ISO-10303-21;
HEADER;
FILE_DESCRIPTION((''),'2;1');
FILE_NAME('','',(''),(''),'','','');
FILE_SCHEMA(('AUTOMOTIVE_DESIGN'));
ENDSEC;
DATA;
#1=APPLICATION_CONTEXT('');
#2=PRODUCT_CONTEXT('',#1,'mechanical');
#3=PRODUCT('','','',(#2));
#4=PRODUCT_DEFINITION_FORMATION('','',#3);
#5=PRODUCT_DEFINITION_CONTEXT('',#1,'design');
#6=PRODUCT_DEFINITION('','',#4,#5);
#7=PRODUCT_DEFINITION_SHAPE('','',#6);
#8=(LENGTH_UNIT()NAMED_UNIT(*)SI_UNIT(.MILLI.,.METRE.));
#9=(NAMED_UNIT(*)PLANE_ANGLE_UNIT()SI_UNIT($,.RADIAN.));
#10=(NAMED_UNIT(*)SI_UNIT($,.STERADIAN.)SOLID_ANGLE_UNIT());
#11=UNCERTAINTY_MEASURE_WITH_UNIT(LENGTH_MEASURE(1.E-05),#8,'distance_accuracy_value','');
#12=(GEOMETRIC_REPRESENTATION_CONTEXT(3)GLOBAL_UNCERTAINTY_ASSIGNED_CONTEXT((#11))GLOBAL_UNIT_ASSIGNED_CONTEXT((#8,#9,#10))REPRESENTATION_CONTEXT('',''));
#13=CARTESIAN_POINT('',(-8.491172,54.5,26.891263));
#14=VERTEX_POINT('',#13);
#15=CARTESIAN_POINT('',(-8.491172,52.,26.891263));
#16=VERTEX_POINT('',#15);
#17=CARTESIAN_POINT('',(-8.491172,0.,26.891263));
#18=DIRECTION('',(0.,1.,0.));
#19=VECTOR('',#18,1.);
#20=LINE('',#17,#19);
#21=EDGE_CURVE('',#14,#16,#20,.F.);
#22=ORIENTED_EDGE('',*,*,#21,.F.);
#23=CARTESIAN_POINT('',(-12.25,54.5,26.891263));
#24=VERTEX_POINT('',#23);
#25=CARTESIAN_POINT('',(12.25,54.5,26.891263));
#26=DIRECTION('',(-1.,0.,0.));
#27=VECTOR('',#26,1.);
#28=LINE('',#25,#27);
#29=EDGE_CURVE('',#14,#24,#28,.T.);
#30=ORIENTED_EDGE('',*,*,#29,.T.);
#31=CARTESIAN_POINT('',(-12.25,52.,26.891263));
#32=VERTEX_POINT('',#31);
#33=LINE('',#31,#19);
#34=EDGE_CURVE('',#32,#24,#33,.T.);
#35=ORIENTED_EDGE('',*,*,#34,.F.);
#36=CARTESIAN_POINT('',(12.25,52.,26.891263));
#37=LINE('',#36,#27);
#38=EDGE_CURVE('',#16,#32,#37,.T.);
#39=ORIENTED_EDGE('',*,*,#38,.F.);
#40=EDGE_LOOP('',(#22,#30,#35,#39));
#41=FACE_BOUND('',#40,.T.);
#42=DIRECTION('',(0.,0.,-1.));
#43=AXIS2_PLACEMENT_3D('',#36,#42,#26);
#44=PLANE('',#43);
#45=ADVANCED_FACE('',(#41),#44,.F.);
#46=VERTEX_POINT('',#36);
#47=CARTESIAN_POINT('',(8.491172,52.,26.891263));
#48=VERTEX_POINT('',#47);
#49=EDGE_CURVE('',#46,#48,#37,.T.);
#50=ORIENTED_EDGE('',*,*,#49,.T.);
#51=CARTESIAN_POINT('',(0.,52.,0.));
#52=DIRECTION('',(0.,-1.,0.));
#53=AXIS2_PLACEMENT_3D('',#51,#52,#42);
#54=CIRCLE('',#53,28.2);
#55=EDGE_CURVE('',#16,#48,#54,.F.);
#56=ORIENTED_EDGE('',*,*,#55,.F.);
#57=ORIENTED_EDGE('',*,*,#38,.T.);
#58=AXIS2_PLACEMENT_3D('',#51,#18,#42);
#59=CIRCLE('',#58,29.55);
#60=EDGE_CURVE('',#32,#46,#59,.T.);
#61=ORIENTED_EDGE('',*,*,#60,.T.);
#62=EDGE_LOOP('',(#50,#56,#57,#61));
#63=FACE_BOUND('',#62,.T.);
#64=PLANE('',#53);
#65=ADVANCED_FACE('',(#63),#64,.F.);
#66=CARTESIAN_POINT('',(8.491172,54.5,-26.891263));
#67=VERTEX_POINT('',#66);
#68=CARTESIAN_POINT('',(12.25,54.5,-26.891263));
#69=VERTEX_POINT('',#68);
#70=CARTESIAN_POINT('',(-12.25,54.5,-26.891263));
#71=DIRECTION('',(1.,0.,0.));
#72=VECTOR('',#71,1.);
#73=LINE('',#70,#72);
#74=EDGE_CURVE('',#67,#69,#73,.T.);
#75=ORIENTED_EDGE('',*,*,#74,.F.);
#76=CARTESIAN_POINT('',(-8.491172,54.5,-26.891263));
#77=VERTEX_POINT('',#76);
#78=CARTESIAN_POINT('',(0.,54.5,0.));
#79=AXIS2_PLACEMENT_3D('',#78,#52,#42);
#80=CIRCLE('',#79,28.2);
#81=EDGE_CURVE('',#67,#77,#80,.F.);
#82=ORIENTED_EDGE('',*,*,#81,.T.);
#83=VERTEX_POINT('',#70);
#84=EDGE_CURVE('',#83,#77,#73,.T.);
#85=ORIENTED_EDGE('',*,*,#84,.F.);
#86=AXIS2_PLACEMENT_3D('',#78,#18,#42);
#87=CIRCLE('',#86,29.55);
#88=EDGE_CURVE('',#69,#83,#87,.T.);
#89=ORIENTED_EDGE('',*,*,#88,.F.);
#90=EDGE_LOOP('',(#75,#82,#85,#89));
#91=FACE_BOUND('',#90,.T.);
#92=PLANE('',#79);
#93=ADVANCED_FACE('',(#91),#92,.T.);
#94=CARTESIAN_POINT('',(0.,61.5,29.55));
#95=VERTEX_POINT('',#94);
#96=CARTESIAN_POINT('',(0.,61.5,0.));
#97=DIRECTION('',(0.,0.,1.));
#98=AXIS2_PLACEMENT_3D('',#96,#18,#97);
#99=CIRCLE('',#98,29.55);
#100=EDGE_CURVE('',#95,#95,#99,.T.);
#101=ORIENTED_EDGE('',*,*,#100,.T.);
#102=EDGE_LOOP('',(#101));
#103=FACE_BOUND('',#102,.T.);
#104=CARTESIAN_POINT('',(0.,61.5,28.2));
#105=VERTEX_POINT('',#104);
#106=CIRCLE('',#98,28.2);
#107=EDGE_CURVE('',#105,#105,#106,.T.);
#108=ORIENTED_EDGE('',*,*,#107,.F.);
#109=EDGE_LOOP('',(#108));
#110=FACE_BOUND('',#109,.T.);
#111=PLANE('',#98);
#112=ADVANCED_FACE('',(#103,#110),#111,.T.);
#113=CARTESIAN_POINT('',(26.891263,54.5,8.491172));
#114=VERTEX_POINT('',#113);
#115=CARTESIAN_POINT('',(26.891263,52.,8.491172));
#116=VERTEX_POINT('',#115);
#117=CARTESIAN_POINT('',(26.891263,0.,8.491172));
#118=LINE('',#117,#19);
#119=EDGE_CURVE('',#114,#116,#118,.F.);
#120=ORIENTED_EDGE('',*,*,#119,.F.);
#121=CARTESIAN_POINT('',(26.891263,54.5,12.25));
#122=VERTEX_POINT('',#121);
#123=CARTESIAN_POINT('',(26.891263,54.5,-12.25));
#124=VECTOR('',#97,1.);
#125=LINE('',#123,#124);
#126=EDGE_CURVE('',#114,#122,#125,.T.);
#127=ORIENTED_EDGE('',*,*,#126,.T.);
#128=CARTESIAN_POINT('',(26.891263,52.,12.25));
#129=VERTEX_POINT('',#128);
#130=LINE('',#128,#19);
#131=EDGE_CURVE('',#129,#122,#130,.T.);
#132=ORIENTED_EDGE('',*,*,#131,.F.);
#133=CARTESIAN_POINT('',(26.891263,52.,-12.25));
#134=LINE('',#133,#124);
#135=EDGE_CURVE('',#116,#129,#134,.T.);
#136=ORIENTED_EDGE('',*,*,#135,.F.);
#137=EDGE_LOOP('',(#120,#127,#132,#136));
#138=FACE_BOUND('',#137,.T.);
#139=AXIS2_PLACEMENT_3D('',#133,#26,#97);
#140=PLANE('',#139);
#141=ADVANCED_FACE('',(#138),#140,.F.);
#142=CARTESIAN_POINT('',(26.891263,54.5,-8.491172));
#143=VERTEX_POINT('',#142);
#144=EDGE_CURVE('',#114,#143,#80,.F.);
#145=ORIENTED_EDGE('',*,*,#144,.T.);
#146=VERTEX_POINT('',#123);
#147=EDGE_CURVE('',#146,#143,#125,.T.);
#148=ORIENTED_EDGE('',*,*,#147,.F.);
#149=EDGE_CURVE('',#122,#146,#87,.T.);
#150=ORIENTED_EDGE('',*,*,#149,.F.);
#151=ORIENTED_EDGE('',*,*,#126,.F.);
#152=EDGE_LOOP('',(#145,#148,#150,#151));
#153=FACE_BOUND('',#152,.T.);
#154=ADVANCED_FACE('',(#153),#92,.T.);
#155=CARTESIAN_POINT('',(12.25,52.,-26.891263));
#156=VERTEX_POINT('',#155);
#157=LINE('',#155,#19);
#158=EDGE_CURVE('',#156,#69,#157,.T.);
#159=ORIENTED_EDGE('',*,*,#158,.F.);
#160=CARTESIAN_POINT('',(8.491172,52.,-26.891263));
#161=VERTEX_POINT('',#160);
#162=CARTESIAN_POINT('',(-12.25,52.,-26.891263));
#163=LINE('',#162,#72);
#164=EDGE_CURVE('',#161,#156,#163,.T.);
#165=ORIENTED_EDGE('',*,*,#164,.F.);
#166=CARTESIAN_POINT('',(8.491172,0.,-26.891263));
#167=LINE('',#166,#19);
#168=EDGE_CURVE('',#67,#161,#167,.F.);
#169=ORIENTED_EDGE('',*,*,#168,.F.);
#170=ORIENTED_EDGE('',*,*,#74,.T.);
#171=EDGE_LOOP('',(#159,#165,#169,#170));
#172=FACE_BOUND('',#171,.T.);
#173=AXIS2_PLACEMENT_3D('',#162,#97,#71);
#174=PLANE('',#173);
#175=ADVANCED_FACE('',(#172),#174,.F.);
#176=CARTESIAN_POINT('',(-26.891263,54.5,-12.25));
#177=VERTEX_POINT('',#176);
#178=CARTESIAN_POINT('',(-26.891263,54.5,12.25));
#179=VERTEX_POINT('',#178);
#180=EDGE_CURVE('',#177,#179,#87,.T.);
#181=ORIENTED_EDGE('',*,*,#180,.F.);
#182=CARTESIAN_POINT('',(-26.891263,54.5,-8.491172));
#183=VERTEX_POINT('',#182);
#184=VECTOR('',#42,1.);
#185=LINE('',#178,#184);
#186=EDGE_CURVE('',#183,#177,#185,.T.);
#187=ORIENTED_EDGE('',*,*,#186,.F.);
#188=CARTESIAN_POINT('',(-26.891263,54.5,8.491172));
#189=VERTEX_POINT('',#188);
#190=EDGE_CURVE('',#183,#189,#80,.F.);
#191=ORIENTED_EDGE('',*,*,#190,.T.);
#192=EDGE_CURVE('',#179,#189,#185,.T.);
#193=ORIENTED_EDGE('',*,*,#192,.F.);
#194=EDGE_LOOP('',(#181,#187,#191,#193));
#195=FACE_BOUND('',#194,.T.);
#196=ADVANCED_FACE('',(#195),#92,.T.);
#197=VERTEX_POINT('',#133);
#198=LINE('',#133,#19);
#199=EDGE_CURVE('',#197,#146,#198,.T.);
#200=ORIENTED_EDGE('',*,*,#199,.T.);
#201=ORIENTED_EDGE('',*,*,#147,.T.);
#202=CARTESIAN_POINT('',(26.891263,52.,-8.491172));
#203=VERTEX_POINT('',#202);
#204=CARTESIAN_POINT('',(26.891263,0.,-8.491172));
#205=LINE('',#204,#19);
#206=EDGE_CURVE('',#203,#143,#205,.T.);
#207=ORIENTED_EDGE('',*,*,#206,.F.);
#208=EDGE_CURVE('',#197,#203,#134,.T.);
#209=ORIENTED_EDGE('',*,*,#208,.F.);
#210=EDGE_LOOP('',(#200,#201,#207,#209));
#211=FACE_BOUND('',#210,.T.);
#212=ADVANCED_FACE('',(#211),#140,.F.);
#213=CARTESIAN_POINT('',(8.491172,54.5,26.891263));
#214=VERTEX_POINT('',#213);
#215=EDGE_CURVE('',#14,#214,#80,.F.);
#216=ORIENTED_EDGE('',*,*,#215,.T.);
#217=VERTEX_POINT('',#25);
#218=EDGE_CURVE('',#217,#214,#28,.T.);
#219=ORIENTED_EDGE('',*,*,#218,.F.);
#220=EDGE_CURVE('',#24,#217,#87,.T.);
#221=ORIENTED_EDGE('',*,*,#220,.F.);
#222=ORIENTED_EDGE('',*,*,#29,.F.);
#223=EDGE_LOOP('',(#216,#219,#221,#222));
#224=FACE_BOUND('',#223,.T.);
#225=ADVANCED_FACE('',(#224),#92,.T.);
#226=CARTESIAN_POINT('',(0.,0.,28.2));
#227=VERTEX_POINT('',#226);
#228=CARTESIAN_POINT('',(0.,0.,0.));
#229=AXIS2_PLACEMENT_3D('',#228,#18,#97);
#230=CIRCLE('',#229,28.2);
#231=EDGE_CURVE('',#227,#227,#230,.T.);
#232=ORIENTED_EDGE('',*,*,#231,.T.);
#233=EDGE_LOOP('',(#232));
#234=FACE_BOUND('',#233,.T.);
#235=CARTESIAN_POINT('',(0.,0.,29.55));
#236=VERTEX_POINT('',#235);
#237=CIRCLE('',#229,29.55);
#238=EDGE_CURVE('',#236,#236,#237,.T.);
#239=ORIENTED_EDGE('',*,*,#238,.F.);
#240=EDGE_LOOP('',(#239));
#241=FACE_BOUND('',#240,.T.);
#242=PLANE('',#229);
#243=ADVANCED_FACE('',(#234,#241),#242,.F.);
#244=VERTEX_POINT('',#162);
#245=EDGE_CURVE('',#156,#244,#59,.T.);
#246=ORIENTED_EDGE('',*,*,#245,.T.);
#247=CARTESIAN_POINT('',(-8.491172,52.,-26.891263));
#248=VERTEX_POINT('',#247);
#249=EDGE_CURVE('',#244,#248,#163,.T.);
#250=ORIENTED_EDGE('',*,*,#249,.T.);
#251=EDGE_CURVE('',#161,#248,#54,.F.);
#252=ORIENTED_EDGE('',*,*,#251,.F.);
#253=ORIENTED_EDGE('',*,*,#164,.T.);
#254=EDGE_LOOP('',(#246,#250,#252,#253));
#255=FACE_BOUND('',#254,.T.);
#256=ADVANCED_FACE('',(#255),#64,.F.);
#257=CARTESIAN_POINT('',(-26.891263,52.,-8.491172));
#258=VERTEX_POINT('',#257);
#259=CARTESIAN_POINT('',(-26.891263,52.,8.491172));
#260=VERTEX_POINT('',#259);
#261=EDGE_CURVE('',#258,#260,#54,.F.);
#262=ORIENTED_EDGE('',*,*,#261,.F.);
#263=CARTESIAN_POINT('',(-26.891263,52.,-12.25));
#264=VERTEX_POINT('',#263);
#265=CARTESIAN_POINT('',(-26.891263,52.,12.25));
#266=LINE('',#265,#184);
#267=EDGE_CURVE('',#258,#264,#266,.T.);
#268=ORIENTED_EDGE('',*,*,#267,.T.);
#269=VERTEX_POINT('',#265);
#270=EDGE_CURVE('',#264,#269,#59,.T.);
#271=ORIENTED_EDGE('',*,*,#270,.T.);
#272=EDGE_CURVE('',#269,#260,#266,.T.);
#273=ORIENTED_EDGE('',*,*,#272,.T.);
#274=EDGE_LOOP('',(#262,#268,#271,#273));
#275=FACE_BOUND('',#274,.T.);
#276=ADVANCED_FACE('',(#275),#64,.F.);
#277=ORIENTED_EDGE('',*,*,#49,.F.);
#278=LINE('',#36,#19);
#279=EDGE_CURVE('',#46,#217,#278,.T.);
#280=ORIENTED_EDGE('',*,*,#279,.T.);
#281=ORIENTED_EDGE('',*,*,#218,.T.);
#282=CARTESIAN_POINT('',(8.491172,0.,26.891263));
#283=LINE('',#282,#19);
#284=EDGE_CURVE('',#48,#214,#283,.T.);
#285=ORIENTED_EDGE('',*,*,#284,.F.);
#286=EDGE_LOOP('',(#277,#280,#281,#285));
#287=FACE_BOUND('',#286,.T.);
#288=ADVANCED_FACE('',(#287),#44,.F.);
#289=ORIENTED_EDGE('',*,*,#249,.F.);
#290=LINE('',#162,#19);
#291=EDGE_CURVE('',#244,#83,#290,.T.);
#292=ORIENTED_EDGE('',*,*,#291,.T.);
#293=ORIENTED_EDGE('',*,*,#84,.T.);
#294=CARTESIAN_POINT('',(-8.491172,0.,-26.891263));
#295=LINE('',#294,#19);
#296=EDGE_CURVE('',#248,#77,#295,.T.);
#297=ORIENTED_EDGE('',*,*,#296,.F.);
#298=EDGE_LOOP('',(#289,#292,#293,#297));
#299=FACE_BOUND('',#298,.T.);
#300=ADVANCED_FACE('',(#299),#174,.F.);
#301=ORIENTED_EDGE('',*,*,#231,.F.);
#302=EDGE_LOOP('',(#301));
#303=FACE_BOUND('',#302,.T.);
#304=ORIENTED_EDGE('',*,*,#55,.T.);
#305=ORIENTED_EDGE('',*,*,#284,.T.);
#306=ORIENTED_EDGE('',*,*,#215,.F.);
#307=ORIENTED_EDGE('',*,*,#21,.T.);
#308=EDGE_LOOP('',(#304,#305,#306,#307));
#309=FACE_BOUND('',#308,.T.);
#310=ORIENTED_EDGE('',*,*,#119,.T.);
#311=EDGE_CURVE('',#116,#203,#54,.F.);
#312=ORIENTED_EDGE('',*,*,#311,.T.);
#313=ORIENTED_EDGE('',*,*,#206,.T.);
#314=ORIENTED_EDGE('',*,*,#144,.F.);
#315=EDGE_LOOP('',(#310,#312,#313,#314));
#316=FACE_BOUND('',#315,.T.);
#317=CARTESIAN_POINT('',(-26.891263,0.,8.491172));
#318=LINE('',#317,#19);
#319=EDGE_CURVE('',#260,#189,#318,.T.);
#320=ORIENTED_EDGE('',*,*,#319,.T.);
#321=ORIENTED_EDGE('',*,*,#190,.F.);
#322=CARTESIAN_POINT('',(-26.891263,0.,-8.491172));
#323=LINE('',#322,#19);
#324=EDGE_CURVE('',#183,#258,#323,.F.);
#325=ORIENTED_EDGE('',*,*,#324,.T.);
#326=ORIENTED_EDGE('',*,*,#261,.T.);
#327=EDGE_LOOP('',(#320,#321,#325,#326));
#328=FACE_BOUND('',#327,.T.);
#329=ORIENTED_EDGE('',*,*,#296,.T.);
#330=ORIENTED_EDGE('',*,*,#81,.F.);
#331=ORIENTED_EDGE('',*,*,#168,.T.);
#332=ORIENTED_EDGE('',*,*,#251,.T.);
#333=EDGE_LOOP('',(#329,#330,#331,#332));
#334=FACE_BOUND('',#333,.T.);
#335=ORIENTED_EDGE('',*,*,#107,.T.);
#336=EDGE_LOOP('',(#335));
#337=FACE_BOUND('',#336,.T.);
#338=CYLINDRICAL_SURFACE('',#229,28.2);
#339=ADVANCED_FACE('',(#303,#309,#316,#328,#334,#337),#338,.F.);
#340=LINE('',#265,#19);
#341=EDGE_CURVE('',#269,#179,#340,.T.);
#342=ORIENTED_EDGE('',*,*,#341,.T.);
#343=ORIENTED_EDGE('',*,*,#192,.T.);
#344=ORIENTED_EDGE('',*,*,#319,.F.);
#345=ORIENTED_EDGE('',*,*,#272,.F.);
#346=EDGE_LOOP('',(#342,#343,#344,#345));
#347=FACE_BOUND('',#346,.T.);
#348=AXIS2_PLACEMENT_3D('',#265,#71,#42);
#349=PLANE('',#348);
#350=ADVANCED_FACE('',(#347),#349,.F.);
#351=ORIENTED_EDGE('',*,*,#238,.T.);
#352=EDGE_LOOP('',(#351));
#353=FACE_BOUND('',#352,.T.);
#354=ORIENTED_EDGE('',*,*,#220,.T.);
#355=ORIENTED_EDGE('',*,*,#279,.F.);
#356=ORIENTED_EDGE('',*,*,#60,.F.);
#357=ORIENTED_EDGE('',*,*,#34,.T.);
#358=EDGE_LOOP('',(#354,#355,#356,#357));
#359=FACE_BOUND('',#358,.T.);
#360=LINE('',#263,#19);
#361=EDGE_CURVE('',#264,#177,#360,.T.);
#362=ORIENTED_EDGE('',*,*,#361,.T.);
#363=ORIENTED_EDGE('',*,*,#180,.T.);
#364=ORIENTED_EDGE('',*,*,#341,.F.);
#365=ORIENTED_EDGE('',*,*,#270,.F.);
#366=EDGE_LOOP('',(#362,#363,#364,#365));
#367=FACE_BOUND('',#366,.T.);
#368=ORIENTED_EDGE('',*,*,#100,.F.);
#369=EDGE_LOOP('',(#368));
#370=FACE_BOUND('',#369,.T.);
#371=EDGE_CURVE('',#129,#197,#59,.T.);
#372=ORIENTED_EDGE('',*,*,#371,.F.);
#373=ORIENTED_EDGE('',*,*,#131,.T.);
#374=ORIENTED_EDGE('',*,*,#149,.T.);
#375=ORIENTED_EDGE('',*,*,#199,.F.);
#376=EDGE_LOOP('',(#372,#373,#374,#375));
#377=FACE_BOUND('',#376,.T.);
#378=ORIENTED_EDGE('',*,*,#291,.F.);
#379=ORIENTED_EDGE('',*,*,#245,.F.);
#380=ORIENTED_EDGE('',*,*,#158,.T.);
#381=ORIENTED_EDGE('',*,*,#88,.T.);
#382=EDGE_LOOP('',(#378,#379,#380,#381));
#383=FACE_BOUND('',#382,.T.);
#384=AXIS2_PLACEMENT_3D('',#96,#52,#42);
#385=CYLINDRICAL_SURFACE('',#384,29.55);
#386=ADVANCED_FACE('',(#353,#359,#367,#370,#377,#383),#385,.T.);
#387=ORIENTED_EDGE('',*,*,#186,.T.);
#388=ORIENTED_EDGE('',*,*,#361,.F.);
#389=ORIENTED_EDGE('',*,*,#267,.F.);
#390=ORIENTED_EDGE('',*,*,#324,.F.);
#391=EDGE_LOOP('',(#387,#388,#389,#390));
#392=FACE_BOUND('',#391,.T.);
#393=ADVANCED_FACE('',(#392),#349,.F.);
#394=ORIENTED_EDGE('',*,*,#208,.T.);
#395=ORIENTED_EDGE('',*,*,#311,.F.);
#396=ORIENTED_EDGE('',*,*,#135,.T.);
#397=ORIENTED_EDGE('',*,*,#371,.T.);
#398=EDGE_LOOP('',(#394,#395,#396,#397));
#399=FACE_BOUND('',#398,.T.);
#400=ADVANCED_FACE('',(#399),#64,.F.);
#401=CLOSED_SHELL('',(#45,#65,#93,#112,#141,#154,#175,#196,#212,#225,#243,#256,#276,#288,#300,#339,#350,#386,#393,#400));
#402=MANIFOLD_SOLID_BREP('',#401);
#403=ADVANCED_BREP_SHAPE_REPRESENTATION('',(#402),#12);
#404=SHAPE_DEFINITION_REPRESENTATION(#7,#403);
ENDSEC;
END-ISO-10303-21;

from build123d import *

# Parameters (mm, degrees)
SKETCH1_R           = 29.55
BOSS_EXTRUDE1_DEPTH = 61.5
SKETCH2_R           = 28.2
CUT_EXTRUDE1_DEPTH  = 61.5
CUT_EXTRUDE2_START  = -2.5
CUT_EXTRUDE2_DEPTH  = 2.5


with BuildPart() as part:
    # Sketch1 → Boss-Extrude1 (new body)
    with BuildSketch(Plane(origin=(0, 0, 0), x_dir=(1, 0, 0), z_dir=(0, 1, 0))):
        with Locations(Location((0, 0, 0), (0, 0, 270))):
            Circle(SKETCH1_R)
    extrude(amount=BOSS_EXTRUDE1_DEPTH)

    # Sketch2 → Cut-Extrude1 (cut)
    with BuildSketch(Plane(origin=(0, 61.5, 0), x_dir=(1, 0, 0), z_dir=(0, 1, 0))):
        with Locations(Location((0, 0, 0), (0, 0, 270))):
            Circle(SKETCH2_R)
    extrude(amount=-CUT_EXTRUDE1_DEPTH, mode=Mode.SUBTRACT)

    # Sketch3 → Cut-Extrude2 (cut)
    with BuildSketch(Plane(origin=(0, 54.50000003, 0), x_dir=(1, 0, 0), z_dir=(0, 1, 0)).offset(CUT_EXTRUDE2_START)):
        with BuildLine():
            Line((-12.25, 26.891262521), (12.25, 26.891262521))
            ThreePointArc((12.25, 26.891262521), (0, 29.55), (-12.25, 26.891262521))
        make_face()
        with BuildLine():
            Line((26.891262521, 12.25), (26.891262521, -12.25))
            ThreePointArc((26.891262521, -12.25), (29.55, 0), (26.891262521, 12.25))
        make_face()
        with BuildLine():
            Line((12.25, -26.891262521), (-12.25, -26.891262521))
            ThreePointArc((-12.25, -26.891262521), (0, -29.55), (12.25, -26.891262521))
        make_face()
        with BuildLine():
            Line((-26.891262521, -12.25), (-26.891262521, 12.25))
            ThreePointArc((-26.891262521, 12.25), (-29.55, 0), (-26.891262521, -12.25))
        make_face()
    extrude(amount=CUT_EXTRUDE2_DEPTH, mode=Mode.SUBTRACT)


solid = part.part
